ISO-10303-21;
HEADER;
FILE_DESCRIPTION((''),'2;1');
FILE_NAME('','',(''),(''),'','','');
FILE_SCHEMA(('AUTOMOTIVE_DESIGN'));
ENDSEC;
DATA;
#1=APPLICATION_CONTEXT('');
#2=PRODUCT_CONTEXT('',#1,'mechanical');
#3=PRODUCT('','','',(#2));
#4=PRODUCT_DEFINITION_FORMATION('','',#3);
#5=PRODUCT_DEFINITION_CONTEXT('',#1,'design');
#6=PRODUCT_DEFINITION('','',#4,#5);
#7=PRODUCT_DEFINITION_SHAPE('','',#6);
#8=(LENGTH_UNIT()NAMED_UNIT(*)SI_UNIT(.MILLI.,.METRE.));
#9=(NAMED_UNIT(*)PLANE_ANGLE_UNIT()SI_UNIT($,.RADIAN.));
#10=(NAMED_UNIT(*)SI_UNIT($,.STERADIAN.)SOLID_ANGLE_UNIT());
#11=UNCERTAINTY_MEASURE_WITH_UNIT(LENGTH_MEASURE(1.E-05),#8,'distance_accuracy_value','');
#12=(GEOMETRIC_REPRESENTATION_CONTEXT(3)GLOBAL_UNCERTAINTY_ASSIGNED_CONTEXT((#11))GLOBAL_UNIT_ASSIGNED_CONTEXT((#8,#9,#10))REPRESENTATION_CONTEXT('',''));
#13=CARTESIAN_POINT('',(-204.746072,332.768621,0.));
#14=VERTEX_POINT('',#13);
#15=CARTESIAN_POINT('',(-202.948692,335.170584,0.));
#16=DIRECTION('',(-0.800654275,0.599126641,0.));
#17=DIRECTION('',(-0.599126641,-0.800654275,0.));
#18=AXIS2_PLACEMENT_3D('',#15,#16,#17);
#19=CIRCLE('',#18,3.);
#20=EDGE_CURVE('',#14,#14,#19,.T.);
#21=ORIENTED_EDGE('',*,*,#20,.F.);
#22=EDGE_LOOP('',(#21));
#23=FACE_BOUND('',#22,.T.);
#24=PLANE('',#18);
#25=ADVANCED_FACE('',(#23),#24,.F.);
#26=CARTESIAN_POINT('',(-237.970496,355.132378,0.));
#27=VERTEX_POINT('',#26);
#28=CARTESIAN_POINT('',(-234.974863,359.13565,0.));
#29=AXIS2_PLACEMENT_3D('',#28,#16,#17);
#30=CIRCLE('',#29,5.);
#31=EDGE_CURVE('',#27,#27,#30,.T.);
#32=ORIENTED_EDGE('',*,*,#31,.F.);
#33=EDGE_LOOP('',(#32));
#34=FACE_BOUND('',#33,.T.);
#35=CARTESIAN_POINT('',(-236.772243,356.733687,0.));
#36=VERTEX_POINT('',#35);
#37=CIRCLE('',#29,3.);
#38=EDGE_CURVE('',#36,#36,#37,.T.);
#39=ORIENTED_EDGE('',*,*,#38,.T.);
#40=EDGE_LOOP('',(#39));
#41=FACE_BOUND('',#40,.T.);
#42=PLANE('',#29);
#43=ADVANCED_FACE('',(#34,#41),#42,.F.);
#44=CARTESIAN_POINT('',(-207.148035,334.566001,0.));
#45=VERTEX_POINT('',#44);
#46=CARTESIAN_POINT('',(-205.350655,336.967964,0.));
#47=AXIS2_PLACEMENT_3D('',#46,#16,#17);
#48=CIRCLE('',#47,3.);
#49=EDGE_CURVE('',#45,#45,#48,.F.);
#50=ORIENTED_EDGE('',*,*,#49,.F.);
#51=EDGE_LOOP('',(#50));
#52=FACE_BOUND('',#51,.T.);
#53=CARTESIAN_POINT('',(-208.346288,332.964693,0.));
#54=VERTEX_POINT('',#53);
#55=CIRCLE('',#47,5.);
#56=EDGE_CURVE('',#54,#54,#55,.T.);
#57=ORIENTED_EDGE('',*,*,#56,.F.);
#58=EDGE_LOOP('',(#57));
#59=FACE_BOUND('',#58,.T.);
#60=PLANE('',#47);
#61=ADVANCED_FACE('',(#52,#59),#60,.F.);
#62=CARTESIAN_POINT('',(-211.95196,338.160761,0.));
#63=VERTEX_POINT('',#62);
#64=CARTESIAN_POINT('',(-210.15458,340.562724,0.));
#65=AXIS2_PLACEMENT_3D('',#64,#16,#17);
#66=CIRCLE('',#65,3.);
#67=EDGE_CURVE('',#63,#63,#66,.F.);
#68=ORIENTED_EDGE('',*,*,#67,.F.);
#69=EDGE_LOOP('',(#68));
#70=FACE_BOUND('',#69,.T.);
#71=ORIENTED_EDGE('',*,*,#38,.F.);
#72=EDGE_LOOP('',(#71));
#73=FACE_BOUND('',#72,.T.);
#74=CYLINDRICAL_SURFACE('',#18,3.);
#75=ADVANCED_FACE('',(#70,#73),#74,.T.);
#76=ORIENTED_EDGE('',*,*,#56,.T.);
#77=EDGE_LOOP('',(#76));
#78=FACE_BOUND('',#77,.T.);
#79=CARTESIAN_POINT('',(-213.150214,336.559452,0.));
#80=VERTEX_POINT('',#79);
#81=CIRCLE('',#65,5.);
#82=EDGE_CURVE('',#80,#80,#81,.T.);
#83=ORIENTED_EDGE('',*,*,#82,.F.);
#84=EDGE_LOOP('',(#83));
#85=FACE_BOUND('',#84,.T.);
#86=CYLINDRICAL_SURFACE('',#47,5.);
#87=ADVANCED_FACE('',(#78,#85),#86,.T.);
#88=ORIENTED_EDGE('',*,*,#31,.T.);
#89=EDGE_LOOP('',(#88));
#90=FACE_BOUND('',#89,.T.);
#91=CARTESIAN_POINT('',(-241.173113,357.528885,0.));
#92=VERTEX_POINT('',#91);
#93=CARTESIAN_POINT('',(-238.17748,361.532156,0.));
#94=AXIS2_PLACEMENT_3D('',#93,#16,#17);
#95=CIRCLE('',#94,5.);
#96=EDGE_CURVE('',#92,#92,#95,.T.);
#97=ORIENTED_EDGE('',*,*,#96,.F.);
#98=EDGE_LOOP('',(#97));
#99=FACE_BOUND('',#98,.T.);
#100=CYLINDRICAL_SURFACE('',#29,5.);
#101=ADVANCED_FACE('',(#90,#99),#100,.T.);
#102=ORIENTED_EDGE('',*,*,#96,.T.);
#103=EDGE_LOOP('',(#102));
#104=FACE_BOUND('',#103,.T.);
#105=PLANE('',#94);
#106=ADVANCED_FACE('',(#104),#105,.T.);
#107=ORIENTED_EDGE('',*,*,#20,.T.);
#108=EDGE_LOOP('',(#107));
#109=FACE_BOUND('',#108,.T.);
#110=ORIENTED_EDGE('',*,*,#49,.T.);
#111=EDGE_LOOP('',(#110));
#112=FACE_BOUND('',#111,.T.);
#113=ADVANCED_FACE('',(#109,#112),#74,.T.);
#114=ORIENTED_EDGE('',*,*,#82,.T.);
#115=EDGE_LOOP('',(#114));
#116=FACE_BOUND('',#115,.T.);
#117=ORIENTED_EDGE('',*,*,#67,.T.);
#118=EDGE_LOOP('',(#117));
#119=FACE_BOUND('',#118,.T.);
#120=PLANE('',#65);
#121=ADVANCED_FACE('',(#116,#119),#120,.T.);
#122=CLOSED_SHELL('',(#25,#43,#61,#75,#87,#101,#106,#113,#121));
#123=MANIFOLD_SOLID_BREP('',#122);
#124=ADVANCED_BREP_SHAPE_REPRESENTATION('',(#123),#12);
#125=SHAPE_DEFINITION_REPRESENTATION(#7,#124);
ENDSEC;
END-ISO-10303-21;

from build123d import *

# Parameters (mm, degrees)
CABEZA_PROFILE_R  = 5
VASTAGO_PROFILE_R = 3
TUERCA_PROFILE_R  = 5


with BuildPart() as part:
    # Cabeza: sweep along a curve in space
    with BuildLine() as cabeza_path:
        Line((-234.974862986, 359.135649617, 0), (-238.177480086, 361.53215618, 0))
    # Cabeza profile (on start of the path) → Cabeza (sweep)
    with BuildSketch(Plane(origin=(-234.974862986, 359.135649617, 0), x_dir=(-0.5991266409502999, -0.8006542750173826, 0), z_dir=(-0.8006542750173826, 0.5991266409502999, 0))):
        Circle(CABEZA_PROFILE_R)
    sweep(path=cabeza_path.line)

    # Vastago: sweep along a curve in space
    with BuildLine() as vastago_path:
        Line((-202.948691985, 335.170583979, 0), (-234.974862986, 359.135649617, 0))
    # Vastago profile (on start of the path) → Vastago (sweep)
    with BuildSketch(Plane(origin=(-202.948691985, 335.170583979, 0), x_dir=(-0.5991266409502972, -0.8006542750173845, 0), z_dir=(-0.8006542750173845, 0.5991266409502972, 0))):
        Circle(VASTAGO_PROFILE_R)
    sweep(path=vastago_path.line)

    # Tuerca: sweep along a curve in space
    with BuildLine() as tuerca_path:
        Line((-205.35065481, 336.967963901, 0), (-210.15458046, 340.562723747, 0))
    # Tuerca profile (on start of the path) → Tuerca (sweep)
    with BuildSketch(Plane(origin=(-205.35065481, 336.967963901, 0), x_dir=(-0.5991266409502919, -0.8006542750173886, 0), z_dir=(-0.8006542750173886, 0.5991266409502919, 0))):
        Circle(TUERCA_PROFILE_R)
    sweep(path=tuerca_path.line)


solid = part.part
